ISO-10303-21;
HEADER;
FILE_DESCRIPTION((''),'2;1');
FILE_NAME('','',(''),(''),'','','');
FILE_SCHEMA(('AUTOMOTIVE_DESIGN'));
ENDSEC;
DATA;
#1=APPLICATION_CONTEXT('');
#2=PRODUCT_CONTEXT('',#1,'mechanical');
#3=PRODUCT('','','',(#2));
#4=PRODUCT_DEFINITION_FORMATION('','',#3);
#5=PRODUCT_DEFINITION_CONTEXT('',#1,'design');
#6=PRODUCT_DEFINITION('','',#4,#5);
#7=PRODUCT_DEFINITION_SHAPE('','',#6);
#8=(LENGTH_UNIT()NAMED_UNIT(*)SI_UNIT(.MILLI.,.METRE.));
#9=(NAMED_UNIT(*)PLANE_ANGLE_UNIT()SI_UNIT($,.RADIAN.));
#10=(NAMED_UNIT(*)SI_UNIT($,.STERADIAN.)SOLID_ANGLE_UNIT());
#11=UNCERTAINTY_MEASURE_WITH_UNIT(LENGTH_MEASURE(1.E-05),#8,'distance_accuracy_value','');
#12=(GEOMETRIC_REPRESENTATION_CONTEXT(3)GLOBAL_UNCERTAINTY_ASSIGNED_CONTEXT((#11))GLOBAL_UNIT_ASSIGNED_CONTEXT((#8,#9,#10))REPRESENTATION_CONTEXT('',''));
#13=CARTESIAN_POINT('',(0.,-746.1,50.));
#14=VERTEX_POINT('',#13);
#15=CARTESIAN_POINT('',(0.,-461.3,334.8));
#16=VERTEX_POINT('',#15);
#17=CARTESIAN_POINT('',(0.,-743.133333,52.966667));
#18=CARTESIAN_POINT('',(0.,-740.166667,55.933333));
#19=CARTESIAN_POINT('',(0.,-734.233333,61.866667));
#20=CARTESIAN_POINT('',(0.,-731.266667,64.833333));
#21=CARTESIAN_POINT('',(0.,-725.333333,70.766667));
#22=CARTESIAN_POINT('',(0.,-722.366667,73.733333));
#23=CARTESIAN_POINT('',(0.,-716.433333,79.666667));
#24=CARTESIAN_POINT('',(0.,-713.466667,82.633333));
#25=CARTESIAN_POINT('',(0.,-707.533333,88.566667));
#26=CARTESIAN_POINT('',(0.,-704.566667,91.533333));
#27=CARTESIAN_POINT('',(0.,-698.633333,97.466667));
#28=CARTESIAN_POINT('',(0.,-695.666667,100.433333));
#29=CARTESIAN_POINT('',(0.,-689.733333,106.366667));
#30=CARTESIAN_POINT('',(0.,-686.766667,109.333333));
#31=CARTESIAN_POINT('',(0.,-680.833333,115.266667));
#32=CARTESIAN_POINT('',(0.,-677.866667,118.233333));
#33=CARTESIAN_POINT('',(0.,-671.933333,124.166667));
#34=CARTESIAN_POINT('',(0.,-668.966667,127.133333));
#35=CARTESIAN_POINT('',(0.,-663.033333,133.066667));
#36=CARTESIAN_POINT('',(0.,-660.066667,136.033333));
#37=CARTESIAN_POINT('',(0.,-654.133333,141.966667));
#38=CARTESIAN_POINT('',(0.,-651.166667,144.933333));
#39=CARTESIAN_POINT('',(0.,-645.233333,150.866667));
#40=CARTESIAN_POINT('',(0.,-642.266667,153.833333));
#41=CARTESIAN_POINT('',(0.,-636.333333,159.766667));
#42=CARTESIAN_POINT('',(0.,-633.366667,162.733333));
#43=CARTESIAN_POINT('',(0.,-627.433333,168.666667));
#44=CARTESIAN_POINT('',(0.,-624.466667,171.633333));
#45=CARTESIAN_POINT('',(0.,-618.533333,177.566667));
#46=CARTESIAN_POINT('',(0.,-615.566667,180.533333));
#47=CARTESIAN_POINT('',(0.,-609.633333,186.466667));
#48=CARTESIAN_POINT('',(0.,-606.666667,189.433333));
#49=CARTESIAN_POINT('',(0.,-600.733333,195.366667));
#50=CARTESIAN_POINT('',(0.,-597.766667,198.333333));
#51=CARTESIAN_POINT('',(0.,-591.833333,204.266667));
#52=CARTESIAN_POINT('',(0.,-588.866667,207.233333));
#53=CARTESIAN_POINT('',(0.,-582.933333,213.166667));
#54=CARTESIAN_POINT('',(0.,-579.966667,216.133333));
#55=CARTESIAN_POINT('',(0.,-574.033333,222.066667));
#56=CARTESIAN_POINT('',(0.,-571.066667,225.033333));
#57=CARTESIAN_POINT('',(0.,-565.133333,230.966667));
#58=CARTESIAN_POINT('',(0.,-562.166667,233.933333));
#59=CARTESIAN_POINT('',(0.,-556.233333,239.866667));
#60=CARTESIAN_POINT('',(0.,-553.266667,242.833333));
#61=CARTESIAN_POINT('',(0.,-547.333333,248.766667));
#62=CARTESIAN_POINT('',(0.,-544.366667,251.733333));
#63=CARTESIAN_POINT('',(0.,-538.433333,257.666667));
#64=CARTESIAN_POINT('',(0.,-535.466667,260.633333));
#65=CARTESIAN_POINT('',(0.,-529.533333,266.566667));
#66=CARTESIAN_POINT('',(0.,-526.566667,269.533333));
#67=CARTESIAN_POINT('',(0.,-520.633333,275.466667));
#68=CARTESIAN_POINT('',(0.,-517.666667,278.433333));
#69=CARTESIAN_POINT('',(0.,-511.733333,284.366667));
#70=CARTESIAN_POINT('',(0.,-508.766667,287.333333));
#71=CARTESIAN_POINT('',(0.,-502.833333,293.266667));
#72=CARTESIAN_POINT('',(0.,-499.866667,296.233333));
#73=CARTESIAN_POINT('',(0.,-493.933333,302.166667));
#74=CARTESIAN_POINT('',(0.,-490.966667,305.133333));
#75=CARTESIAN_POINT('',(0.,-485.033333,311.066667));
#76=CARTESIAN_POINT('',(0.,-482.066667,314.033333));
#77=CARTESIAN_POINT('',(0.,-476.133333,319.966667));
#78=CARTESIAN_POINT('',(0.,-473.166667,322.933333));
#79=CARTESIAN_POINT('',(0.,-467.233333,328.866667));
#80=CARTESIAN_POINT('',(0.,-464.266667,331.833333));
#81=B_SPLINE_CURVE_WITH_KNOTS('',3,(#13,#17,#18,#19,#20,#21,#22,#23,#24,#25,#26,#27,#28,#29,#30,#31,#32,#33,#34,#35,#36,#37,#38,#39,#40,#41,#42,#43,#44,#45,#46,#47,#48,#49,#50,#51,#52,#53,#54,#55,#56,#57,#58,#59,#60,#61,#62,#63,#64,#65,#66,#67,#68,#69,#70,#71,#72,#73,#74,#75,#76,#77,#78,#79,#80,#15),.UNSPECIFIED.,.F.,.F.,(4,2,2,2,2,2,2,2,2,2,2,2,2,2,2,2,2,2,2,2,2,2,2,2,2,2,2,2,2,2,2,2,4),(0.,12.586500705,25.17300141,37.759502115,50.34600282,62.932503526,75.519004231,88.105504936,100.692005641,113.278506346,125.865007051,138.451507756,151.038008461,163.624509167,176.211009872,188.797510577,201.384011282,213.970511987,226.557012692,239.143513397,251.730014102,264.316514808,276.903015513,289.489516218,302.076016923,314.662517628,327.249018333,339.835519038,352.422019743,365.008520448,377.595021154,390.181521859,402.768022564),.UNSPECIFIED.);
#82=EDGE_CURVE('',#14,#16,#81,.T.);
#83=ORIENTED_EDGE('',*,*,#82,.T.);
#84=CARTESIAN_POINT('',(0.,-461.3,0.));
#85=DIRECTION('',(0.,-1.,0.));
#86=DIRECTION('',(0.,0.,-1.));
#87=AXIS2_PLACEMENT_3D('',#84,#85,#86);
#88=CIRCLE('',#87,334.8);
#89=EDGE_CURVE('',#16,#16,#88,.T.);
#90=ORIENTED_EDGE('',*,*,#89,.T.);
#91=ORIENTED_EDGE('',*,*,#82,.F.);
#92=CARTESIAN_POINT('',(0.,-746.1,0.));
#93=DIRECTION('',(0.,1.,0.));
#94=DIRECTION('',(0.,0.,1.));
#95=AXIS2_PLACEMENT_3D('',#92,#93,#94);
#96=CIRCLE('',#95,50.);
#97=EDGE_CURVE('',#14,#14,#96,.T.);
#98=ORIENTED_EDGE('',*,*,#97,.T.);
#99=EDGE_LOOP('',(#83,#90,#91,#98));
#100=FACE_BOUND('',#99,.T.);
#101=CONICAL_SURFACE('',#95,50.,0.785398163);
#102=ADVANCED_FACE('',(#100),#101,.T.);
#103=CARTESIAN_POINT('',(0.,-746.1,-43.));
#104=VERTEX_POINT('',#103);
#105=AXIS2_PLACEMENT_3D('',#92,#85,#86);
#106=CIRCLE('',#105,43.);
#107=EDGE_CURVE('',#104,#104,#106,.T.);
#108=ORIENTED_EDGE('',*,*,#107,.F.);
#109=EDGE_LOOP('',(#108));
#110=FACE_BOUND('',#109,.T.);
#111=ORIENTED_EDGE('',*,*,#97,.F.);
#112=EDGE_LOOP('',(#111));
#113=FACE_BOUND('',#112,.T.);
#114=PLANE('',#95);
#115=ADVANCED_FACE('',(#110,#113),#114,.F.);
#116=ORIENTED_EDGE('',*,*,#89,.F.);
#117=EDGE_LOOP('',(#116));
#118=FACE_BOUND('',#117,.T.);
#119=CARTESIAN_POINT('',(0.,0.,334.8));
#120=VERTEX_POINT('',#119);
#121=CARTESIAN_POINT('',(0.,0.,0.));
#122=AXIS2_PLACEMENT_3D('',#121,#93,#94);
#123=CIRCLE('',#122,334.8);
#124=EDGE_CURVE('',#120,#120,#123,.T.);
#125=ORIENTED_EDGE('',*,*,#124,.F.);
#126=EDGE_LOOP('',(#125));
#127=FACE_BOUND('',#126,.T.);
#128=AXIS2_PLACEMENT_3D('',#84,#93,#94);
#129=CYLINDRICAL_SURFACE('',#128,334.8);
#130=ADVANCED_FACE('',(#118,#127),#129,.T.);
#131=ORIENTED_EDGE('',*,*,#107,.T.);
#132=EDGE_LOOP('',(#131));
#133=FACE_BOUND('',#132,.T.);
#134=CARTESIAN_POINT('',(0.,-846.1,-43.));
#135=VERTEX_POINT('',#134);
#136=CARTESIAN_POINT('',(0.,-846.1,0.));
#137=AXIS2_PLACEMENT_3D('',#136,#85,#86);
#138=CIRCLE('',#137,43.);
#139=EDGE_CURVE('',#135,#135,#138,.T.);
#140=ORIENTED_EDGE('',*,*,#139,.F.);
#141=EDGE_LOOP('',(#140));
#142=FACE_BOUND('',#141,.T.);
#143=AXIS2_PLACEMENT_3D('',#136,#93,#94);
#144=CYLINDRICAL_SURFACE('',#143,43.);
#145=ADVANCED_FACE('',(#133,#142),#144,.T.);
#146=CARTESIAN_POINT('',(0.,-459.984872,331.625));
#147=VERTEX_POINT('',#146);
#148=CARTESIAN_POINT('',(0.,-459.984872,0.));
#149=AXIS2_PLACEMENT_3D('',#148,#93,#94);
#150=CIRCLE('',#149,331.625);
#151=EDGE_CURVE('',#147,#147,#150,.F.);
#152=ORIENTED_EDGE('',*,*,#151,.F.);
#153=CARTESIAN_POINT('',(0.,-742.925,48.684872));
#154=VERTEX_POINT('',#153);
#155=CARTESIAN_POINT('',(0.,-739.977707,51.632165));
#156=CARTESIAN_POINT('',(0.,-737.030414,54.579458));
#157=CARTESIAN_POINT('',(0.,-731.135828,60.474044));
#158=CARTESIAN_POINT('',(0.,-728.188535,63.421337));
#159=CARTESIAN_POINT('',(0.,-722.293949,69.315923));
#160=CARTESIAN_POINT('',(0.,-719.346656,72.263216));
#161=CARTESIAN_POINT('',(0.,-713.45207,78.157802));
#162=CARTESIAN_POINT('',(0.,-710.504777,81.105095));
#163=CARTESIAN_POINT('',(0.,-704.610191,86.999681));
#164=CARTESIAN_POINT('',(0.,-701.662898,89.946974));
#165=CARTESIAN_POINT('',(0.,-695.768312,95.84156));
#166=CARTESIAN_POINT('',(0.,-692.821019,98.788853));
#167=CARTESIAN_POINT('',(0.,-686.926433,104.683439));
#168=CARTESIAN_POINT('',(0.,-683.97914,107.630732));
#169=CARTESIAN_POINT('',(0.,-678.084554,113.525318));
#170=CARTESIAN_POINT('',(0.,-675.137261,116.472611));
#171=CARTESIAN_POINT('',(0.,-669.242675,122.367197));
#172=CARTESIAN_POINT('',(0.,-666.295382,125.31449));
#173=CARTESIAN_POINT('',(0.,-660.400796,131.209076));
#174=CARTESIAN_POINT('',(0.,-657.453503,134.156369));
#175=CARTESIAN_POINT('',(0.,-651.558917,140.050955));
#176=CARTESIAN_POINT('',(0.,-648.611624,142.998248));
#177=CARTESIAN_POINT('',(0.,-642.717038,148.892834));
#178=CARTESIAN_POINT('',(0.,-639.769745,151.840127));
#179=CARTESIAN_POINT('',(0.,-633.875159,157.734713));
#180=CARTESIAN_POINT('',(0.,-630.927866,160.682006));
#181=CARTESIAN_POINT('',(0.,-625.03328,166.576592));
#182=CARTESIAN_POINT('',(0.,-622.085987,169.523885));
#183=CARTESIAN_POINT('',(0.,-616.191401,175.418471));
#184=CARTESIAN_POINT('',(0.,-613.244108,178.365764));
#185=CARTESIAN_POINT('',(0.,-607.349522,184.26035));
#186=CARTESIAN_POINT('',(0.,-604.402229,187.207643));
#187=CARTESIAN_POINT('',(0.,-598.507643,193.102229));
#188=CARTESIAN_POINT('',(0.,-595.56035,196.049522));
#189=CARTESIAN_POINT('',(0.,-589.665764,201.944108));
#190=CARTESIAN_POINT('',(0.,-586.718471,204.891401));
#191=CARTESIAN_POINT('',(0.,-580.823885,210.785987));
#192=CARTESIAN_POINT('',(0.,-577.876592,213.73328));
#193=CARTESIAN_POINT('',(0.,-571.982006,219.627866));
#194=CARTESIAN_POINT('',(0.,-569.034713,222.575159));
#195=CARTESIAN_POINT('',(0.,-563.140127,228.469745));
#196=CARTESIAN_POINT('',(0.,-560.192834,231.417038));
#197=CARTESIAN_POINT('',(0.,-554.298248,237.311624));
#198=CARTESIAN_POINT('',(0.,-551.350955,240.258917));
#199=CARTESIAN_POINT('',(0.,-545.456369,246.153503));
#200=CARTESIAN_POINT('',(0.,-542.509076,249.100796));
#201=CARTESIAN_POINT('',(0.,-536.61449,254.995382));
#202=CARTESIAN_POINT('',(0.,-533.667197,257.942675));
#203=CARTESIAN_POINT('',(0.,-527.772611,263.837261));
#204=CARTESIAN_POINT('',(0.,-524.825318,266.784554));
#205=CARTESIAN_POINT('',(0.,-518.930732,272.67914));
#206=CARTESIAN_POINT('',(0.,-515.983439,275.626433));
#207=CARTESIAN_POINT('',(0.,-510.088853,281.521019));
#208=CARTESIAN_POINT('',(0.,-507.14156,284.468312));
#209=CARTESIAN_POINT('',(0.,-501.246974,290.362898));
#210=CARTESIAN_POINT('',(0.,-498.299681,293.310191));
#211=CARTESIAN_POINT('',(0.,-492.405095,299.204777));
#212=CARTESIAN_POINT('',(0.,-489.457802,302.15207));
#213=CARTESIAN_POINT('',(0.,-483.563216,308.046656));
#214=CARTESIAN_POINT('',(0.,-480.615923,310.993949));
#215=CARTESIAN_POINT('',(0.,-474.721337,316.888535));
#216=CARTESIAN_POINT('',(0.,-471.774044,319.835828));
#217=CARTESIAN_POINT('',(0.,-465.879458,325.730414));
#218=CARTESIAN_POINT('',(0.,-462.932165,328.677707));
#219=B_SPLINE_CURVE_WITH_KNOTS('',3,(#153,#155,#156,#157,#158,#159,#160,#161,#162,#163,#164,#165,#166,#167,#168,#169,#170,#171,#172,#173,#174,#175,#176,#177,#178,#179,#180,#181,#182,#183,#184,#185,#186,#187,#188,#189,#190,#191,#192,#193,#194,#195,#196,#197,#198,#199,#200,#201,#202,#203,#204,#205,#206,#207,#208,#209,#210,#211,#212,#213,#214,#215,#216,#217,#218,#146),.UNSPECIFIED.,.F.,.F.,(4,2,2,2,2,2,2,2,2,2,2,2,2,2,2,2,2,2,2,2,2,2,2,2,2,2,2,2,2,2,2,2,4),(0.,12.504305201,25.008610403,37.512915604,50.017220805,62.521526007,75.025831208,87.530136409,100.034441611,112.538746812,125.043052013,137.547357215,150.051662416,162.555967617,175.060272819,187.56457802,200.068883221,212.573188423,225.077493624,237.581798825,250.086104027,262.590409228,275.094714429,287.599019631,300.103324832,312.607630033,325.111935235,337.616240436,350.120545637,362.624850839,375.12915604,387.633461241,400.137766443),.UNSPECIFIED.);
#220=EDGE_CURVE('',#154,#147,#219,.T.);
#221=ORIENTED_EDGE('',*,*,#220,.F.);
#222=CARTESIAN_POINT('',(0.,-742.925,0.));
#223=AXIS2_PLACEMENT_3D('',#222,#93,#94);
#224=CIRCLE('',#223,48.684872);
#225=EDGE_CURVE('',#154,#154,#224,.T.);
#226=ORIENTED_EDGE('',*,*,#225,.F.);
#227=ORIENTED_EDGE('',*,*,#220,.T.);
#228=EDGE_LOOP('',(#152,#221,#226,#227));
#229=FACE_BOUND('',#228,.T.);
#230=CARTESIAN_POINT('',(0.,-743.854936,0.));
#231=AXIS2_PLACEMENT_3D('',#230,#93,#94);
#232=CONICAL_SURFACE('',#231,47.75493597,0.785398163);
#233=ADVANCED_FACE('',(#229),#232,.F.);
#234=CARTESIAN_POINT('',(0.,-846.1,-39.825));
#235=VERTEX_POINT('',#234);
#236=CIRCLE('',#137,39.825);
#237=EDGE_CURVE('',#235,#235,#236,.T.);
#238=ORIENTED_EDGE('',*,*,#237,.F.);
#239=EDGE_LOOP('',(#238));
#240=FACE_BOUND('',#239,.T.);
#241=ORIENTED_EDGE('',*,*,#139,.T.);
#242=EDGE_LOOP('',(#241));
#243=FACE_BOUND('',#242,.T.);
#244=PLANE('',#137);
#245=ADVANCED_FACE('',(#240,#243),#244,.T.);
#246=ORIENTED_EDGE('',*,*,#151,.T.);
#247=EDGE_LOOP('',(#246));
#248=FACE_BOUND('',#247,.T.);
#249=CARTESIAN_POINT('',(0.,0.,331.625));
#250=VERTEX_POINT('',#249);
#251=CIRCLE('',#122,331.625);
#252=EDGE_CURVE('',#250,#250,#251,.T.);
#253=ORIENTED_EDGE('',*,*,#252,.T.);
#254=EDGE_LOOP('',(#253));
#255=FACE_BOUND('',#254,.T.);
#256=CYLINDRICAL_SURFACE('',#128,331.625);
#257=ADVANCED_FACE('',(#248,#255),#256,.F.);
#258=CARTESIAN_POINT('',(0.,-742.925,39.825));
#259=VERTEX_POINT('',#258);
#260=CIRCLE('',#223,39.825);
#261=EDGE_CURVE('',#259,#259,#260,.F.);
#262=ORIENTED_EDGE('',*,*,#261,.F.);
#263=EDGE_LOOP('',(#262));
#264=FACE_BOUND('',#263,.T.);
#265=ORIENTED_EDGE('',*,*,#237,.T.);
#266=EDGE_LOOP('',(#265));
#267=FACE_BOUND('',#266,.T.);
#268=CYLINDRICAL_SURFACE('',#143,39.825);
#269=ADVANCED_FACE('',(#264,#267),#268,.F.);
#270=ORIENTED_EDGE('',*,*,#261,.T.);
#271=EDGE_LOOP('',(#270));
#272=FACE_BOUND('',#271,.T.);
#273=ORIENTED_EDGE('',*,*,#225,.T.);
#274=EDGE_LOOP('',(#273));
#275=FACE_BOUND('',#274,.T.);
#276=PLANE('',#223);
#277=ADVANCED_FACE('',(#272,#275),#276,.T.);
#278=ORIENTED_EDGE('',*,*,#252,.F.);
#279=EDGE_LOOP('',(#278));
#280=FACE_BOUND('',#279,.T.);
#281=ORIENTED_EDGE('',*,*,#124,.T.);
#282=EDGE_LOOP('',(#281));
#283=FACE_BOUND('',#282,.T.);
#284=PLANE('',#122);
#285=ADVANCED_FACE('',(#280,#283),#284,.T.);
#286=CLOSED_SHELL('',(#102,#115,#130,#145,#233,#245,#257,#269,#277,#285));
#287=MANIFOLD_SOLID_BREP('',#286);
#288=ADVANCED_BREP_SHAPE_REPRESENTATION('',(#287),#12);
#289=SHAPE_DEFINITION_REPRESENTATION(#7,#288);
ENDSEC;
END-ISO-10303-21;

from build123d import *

# Parameters (mm, degrees)
CROQUIS1_R              = 334.8
SALIENTE_EXTRUIR1_DEPTH = 461.3
CROQUIS3_R              = 50
CROQUIS2_R              = 334.8
CROQUIS4_R              = 43
SALIENTE_EXTRUIR2_DEPTH = 100
VACIADO1_T              = -3.175


with BuildPart() as part:
    # Croquis1 → Saliente-Extruir1 (new body)
    with BuildSketch(Plane(origin=(0, 0, 0), x_dir=(1, 0, 0), z_dir=(0, 1, 0))):
        with Locations(Location((0, 0, 0), (0, 0, 270))):
            Circle(CROQUIS1_R)
    extrude(amount=-SALIENTE_EXTRUIR1_DEPTH)

    # Croquis3 → Recubrir1 section 0
    with BuildSketch(Plane(origin=(0, -746.1, 0), x_dir=(1, 0, 0), z_dir=(0, 1, 0))):
        Circle(CROQUIS3_R)
    # Croquis2 → Recubrir1 section 1
    with BuildSketch(Plane.XZ.offset(461.3)):
        Circle(CROQUIS2_R)
    loft()

    # Croquis4 → Saliente-Extruir2 (add)
    with BuildSketch(Plane.XZ.offset(746.1)):
        with Locations(Location((0, 0, 0), (0, 0, 270))):
            Circle(CROQUIS4_R)
    extrude(amount=SALIENTE_EXTRUIR2_DEPTH)

    # Vaciado1
    vaciado1_openings = [part.faces().sort_by_distance(p)[0] for p in [
        (0, -846.1, 0),
        (0, 0, 0),
    ]]
    offset(amount=VACIADO1_T, openings=vaciado1_openings, kind=Kind.INTERSECTION)


solid = part.part
